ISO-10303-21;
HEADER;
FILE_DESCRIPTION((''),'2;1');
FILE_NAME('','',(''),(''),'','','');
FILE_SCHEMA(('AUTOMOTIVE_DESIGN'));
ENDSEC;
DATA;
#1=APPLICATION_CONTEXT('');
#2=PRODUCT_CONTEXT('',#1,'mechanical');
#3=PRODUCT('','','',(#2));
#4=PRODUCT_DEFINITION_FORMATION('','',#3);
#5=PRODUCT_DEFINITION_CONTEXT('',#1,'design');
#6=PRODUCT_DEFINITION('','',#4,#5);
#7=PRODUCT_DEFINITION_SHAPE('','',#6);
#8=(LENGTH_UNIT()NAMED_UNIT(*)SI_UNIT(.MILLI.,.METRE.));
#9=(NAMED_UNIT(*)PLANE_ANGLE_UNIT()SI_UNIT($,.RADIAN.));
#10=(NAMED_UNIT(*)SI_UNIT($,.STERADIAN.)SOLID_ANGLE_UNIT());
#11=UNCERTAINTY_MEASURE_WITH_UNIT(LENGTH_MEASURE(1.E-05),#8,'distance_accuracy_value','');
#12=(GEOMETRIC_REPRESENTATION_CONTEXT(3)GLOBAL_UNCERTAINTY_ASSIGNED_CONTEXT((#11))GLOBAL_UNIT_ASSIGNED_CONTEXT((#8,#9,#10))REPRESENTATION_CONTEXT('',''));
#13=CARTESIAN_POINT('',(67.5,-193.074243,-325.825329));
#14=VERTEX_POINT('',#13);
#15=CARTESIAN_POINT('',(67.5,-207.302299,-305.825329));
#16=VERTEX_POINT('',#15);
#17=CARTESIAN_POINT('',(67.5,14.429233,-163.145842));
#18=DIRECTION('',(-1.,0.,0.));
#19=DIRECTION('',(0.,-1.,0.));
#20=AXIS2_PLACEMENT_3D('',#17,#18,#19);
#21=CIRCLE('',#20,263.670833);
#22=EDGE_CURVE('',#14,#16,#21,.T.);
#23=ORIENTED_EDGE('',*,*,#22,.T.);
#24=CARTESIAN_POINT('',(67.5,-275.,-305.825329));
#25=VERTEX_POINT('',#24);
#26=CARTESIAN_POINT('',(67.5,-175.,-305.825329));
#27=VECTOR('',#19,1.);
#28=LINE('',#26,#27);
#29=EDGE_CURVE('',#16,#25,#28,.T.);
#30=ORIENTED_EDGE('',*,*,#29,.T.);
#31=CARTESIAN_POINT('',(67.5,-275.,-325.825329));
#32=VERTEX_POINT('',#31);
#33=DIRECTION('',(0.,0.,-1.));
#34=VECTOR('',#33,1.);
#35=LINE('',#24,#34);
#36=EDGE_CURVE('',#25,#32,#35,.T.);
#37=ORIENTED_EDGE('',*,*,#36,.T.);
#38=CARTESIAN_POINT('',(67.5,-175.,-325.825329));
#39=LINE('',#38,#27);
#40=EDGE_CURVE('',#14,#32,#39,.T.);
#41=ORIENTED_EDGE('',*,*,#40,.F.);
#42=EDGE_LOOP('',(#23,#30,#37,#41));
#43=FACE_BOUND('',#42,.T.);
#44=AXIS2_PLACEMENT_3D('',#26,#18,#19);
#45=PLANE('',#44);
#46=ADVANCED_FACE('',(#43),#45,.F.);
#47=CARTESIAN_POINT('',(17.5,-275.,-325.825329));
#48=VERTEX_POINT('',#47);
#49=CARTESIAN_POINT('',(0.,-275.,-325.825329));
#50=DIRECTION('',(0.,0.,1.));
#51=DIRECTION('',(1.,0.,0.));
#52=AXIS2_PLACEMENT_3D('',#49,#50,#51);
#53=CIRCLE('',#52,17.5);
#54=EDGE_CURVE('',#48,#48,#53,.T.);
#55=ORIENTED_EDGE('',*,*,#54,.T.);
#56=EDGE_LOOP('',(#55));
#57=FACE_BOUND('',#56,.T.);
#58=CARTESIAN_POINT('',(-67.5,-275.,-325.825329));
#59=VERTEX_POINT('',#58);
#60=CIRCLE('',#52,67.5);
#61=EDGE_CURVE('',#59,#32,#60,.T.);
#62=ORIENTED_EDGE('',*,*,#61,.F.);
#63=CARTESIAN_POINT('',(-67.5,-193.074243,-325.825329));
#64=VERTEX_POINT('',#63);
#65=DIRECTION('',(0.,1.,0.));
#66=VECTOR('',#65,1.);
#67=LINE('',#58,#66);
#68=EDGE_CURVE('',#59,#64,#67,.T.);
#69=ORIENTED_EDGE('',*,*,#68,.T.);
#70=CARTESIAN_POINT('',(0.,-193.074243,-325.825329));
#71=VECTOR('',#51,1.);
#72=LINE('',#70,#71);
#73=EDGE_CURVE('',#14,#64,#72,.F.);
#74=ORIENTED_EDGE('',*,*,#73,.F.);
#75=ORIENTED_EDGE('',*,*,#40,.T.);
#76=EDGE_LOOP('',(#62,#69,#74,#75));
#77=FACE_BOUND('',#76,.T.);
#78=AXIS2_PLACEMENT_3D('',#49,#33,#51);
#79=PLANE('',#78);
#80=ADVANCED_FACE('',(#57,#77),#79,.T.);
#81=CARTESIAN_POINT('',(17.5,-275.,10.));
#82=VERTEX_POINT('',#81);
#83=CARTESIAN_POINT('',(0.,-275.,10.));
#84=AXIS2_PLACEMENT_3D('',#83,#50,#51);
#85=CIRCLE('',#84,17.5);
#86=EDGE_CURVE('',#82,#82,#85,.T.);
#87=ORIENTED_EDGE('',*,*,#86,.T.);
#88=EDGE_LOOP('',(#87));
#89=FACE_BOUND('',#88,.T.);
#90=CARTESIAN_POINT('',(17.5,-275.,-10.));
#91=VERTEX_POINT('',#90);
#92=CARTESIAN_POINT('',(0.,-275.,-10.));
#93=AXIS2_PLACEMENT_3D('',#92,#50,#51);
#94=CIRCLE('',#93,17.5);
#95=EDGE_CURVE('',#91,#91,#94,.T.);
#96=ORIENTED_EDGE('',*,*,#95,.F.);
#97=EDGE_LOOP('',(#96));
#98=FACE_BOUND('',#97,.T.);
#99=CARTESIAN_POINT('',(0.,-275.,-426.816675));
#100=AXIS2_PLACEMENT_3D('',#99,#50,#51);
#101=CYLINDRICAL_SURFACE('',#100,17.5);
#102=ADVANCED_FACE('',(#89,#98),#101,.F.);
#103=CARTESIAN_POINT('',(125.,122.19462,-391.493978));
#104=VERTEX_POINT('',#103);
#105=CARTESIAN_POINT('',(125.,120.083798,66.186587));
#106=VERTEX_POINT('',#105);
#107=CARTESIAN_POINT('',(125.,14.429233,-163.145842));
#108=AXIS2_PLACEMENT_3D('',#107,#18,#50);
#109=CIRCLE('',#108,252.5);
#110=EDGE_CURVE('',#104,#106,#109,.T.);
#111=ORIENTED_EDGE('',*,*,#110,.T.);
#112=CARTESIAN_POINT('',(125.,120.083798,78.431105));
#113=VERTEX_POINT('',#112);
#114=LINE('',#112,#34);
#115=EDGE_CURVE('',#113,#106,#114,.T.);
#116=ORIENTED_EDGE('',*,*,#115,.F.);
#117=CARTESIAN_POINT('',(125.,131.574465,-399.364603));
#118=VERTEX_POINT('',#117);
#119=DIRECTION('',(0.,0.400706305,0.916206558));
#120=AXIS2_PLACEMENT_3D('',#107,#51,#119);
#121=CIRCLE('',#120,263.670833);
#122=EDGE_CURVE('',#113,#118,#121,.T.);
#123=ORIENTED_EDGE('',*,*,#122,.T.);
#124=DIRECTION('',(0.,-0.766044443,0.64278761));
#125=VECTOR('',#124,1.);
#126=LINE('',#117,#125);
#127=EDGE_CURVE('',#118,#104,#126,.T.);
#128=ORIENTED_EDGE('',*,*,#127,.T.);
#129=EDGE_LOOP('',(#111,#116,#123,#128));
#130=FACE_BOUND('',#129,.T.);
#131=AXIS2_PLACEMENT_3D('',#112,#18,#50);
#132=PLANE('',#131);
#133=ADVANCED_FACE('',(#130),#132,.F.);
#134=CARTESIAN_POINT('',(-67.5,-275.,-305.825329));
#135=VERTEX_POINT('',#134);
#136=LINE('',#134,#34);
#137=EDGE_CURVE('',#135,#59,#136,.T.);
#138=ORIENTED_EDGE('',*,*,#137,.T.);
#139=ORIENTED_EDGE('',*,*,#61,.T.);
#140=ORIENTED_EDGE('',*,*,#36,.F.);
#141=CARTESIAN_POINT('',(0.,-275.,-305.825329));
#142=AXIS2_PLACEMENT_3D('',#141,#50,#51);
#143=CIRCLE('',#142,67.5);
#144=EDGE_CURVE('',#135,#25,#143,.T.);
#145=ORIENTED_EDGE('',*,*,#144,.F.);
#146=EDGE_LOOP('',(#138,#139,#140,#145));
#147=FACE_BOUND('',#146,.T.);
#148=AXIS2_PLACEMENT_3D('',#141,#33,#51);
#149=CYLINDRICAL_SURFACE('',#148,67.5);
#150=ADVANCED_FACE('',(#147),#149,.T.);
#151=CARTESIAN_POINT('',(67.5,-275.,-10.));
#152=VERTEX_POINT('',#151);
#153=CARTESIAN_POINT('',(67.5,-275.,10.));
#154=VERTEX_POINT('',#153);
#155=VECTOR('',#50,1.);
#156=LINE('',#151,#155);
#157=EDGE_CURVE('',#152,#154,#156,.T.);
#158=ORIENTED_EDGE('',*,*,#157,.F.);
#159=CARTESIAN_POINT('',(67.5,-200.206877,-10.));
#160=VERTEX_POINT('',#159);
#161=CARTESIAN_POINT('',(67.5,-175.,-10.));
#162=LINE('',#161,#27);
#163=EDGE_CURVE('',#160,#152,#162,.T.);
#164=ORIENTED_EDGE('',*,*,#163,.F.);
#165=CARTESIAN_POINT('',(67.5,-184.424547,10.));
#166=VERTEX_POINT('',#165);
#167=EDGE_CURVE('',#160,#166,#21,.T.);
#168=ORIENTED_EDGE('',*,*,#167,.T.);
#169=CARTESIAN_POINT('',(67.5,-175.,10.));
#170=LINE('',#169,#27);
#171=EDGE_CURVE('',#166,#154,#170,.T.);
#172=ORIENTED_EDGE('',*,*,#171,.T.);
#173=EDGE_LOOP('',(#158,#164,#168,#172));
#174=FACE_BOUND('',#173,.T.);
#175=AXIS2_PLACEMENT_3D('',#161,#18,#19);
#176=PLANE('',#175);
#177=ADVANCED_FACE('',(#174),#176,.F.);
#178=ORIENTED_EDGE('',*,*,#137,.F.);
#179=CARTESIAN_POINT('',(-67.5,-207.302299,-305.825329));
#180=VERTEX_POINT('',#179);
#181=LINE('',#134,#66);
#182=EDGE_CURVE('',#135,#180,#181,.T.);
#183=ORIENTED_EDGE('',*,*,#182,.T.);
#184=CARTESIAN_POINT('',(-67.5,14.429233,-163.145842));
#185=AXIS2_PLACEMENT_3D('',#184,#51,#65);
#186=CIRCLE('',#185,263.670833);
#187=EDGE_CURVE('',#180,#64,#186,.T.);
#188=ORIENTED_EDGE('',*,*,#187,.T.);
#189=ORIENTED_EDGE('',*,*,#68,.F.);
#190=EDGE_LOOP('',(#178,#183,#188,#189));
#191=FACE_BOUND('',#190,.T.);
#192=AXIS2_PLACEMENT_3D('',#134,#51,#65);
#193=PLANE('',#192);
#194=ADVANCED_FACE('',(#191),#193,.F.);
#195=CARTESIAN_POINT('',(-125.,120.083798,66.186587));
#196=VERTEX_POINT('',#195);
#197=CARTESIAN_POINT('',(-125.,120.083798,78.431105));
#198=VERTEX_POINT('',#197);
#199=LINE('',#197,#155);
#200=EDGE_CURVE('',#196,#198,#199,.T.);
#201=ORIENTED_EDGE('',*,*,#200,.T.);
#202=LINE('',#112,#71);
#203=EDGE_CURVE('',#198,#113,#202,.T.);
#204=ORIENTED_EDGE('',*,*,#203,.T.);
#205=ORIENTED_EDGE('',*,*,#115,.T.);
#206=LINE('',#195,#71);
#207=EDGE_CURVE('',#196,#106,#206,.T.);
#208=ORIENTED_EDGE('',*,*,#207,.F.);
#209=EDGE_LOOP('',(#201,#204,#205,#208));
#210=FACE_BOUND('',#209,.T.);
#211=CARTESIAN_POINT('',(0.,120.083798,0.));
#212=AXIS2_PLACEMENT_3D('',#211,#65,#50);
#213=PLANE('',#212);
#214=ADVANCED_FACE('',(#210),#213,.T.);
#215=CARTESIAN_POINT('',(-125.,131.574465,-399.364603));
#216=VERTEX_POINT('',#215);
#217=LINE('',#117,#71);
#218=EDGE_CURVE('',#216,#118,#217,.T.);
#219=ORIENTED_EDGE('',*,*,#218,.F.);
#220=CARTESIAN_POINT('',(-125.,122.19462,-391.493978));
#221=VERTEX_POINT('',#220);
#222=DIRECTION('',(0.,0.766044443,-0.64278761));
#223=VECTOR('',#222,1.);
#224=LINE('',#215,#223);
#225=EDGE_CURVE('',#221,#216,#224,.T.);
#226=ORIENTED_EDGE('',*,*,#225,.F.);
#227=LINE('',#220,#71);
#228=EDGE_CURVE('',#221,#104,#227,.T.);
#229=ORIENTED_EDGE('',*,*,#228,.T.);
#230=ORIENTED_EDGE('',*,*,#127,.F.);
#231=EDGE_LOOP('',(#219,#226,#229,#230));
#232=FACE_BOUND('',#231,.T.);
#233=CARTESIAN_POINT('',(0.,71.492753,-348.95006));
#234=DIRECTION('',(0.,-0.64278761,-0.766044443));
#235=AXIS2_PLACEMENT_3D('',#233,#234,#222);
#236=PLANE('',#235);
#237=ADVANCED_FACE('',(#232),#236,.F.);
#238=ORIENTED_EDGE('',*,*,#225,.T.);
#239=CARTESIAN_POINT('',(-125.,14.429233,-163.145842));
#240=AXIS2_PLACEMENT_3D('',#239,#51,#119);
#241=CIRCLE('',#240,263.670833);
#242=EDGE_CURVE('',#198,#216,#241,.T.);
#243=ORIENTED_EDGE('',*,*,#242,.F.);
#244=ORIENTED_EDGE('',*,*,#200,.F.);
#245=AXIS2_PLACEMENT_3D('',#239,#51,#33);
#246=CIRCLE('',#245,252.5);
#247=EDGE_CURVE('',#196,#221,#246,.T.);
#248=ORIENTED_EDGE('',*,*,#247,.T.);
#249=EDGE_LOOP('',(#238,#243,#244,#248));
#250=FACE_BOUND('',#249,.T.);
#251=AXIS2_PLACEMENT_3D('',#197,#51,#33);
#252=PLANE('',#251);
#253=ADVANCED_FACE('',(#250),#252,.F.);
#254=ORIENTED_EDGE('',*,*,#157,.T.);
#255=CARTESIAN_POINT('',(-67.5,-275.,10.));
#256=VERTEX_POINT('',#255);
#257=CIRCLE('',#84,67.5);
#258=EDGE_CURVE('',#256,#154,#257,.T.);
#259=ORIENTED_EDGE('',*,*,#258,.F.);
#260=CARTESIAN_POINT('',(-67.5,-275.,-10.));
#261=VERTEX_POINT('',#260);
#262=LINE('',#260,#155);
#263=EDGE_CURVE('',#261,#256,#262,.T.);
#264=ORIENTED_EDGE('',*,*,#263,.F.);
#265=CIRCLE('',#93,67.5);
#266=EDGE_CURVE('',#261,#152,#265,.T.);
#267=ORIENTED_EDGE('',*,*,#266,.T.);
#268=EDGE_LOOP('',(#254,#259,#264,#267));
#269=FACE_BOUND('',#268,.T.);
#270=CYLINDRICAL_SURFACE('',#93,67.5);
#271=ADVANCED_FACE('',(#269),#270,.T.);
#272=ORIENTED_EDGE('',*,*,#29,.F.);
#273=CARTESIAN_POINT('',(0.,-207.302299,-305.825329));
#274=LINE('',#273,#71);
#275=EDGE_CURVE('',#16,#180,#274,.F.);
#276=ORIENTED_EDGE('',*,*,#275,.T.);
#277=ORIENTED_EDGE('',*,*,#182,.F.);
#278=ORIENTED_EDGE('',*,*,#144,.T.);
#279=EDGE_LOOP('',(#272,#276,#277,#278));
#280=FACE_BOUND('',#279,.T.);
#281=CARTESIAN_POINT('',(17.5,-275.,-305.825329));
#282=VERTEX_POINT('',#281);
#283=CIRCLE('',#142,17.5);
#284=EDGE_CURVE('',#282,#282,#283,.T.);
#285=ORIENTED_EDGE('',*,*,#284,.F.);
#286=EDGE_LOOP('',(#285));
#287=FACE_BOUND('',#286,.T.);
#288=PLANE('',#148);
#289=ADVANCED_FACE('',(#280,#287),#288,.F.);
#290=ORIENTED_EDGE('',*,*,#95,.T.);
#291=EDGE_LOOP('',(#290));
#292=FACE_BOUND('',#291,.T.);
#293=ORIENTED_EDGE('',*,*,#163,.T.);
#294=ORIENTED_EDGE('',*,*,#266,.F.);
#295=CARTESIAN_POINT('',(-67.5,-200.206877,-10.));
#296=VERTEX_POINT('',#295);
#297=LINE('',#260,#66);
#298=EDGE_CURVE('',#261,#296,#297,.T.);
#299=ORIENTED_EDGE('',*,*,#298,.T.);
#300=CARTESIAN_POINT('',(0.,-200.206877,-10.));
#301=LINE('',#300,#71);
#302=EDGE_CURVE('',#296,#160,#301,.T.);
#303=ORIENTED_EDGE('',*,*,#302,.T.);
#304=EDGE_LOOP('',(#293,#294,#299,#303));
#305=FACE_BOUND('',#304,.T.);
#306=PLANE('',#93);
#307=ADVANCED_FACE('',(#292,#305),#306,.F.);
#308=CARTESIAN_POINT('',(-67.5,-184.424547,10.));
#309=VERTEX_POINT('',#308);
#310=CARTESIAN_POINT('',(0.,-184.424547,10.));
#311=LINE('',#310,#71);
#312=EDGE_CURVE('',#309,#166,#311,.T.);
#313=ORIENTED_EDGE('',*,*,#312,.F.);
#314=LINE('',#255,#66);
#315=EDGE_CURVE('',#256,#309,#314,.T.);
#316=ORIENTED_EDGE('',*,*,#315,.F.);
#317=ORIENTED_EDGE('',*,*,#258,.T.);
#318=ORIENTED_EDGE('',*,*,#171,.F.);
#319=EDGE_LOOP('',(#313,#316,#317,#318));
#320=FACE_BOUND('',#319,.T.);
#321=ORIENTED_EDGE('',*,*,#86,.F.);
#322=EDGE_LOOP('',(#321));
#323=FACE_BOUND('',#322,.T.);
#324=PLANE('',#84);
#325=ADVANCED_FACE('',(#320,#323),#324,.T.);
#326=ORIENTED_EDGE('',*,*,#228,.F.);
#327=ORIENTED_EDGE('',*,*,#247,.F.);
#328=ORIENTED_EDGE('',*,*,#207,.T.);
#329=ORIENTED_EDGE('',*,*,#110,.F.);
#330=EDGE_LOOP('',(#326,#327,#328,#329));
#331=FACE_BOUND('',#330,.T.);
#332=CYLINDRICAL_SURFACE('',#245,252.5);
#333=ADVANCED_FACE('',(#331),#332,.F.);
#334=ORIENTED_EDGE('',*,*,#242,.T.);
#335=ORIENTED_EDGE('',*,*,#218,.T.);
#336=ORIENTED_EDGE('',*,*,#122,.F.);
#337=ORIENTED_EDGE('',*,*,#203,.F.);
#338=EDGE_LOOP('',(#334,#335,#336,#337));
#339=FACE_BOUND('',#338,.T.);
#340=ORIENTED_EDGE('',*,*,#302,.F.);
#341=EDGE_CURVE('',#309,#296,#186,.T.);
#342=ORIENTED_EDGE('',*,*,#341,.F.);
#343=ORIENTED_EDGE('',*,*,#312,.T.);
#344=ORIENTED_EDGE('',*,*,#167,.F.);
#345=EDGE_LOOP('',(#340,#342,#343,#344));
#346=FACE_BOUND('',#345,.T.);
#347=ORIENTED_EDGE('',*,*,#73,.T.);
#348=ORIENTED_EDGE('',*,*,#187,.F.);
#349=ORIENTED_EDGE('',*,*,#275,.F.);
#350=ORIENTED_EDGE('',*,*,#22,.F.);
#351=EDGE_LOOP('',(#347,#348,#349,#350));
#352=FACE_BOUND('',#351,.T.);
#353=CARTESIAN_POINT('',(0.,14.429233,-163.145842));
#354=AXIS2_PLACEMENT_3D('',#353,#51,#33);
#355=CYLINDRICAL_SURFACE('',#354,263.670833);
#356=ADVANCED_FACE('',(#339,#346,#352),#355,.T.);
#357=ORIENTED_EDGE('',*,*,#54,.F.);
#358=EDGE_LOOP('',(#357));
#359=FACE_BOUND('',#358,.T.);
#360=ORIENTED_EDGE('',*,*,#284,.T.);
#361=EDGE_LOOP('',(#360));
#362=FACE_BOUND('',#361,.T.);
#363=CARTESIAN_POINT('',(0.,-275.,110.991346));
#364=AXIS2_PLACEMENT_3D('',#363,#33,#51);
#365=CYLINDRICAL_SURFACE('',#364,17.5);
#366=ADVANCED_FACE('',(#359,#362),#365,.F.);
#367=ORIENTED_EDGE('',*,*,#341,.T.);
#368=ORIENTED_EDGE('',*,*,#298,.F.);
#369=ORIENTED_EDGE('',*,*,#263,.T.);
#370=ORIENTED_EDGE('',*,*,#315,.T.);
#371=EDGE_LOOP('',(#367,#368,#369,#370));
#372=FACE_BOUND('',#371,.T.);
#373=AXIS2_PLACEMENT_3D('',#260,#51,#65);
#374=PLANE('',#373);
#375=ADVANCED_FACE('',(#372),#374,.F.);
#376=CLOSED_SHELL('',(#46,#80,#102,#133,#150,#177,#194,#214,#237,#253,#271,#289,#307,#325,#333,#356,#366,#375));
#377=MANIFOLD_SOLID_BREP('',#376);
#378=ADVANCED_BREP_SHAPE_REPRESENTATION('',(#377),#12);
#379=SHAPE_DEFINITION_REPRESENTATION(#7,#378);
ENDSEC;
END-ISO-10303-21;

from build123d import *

# Parameters (mm, degrees)
BOSS_EXTRUDE1_DEPTH     = 10
SKETCH2_R               = 17.5
CUT_EXTRUDE1_DEPTH      = 569.981596971
CUT_EXTRUDE2_DEPTH      = 562.341005262
CUT_EXTRUDE2_DEPTH_BACK = 562.341005262
SKETCH3_R               = 252.5


with BuildPart() as part:
    # Sweep1: sweep along a curve in space
    with BuildLine() as sweep1_path:
        ThreePointArc((0, 120.083798472, 63.431105038), (0, -235.570766963, -163.145841721), (0, 120.083798472, -389.72278848))
    # 3DSketch2 → Sweep1 (sweep)
    with BuildSketch(Plane(origin=(125, 120.083798472, 78.431105038), x_dir=(-0.9928768384869221, 0, -0.11914522061843064), z_dir=(0, -1, 0))):
        Polygon((0, 0), (3.574356619, 29.786305155), (251.79356624, 0), (248.219209622, -29.786305155), align=None)
    sweep(path=sweep1_path.line)

    # Sketch1 → Boss-Extrude1 (add, symmetric)
    with BuildSketch(Plane.XY):
        with BuildLine():
            Line((-67.5, -275), (-67.5, -175))
            Line((-67.5, -175), (67.5, -175))
            Line((67.5, -175), (67.5, -275))
            ThreePointArc((67.5, -275), (0, -342.5), (-67.5, -275))
        make_face()
    boss_extrude1 = extrude(amount=BOSS_EXTRUDE1_DEPTH, both=True)

    # Sketch2 → Cut-Extrude1 (cut, through all)
    with BuildSketch(Plane.XY.offset(10)):
        with Locations((0, -275)):
            Circle(SKETCH2_R)
    cut_extrude1 = extrude(amount=-CUT_EXTRUDE1_DEPTH, mode=Mode.SUBTRACT)

    # Mirror1: Boss-Extrude1, Cut-Extrude1 across plane
    add(boss_extrude1.mirror(Plane(origin=(0, 0, -157.91266462), x_dir=(1, 0, 0), z_dir=(0, 0, -1))))
    add(cut_extrude1.mirror(Plane(origin=(0, 0, -157.91266462), x_dir=(1, 0, 0), z_dir=(0, 0, -1))), mode=Mode.SUBTRACT)

    # Sketch3 → Cut-Extrude2 (cut, two sides: drawn at the far end of the back side and taken through both)
    with BuildSketch(Plane(origin=(0, 0, 0), x_dir=(0, 0, -1), z_dir=(1, 0, 0)).offset(-CUT_EXTRUDE2_DEPTH_BACK)):
        with Locations((163.145841721, 14.429233037)):
            Circle(SKETCH3_R)
    extrude(amount=CUT_EXTRUDE2_DEPTH + CUT_EXTRUDE2_DEPTH_BACK, mode=Mode.SUBTRACT)


solid = part.part
